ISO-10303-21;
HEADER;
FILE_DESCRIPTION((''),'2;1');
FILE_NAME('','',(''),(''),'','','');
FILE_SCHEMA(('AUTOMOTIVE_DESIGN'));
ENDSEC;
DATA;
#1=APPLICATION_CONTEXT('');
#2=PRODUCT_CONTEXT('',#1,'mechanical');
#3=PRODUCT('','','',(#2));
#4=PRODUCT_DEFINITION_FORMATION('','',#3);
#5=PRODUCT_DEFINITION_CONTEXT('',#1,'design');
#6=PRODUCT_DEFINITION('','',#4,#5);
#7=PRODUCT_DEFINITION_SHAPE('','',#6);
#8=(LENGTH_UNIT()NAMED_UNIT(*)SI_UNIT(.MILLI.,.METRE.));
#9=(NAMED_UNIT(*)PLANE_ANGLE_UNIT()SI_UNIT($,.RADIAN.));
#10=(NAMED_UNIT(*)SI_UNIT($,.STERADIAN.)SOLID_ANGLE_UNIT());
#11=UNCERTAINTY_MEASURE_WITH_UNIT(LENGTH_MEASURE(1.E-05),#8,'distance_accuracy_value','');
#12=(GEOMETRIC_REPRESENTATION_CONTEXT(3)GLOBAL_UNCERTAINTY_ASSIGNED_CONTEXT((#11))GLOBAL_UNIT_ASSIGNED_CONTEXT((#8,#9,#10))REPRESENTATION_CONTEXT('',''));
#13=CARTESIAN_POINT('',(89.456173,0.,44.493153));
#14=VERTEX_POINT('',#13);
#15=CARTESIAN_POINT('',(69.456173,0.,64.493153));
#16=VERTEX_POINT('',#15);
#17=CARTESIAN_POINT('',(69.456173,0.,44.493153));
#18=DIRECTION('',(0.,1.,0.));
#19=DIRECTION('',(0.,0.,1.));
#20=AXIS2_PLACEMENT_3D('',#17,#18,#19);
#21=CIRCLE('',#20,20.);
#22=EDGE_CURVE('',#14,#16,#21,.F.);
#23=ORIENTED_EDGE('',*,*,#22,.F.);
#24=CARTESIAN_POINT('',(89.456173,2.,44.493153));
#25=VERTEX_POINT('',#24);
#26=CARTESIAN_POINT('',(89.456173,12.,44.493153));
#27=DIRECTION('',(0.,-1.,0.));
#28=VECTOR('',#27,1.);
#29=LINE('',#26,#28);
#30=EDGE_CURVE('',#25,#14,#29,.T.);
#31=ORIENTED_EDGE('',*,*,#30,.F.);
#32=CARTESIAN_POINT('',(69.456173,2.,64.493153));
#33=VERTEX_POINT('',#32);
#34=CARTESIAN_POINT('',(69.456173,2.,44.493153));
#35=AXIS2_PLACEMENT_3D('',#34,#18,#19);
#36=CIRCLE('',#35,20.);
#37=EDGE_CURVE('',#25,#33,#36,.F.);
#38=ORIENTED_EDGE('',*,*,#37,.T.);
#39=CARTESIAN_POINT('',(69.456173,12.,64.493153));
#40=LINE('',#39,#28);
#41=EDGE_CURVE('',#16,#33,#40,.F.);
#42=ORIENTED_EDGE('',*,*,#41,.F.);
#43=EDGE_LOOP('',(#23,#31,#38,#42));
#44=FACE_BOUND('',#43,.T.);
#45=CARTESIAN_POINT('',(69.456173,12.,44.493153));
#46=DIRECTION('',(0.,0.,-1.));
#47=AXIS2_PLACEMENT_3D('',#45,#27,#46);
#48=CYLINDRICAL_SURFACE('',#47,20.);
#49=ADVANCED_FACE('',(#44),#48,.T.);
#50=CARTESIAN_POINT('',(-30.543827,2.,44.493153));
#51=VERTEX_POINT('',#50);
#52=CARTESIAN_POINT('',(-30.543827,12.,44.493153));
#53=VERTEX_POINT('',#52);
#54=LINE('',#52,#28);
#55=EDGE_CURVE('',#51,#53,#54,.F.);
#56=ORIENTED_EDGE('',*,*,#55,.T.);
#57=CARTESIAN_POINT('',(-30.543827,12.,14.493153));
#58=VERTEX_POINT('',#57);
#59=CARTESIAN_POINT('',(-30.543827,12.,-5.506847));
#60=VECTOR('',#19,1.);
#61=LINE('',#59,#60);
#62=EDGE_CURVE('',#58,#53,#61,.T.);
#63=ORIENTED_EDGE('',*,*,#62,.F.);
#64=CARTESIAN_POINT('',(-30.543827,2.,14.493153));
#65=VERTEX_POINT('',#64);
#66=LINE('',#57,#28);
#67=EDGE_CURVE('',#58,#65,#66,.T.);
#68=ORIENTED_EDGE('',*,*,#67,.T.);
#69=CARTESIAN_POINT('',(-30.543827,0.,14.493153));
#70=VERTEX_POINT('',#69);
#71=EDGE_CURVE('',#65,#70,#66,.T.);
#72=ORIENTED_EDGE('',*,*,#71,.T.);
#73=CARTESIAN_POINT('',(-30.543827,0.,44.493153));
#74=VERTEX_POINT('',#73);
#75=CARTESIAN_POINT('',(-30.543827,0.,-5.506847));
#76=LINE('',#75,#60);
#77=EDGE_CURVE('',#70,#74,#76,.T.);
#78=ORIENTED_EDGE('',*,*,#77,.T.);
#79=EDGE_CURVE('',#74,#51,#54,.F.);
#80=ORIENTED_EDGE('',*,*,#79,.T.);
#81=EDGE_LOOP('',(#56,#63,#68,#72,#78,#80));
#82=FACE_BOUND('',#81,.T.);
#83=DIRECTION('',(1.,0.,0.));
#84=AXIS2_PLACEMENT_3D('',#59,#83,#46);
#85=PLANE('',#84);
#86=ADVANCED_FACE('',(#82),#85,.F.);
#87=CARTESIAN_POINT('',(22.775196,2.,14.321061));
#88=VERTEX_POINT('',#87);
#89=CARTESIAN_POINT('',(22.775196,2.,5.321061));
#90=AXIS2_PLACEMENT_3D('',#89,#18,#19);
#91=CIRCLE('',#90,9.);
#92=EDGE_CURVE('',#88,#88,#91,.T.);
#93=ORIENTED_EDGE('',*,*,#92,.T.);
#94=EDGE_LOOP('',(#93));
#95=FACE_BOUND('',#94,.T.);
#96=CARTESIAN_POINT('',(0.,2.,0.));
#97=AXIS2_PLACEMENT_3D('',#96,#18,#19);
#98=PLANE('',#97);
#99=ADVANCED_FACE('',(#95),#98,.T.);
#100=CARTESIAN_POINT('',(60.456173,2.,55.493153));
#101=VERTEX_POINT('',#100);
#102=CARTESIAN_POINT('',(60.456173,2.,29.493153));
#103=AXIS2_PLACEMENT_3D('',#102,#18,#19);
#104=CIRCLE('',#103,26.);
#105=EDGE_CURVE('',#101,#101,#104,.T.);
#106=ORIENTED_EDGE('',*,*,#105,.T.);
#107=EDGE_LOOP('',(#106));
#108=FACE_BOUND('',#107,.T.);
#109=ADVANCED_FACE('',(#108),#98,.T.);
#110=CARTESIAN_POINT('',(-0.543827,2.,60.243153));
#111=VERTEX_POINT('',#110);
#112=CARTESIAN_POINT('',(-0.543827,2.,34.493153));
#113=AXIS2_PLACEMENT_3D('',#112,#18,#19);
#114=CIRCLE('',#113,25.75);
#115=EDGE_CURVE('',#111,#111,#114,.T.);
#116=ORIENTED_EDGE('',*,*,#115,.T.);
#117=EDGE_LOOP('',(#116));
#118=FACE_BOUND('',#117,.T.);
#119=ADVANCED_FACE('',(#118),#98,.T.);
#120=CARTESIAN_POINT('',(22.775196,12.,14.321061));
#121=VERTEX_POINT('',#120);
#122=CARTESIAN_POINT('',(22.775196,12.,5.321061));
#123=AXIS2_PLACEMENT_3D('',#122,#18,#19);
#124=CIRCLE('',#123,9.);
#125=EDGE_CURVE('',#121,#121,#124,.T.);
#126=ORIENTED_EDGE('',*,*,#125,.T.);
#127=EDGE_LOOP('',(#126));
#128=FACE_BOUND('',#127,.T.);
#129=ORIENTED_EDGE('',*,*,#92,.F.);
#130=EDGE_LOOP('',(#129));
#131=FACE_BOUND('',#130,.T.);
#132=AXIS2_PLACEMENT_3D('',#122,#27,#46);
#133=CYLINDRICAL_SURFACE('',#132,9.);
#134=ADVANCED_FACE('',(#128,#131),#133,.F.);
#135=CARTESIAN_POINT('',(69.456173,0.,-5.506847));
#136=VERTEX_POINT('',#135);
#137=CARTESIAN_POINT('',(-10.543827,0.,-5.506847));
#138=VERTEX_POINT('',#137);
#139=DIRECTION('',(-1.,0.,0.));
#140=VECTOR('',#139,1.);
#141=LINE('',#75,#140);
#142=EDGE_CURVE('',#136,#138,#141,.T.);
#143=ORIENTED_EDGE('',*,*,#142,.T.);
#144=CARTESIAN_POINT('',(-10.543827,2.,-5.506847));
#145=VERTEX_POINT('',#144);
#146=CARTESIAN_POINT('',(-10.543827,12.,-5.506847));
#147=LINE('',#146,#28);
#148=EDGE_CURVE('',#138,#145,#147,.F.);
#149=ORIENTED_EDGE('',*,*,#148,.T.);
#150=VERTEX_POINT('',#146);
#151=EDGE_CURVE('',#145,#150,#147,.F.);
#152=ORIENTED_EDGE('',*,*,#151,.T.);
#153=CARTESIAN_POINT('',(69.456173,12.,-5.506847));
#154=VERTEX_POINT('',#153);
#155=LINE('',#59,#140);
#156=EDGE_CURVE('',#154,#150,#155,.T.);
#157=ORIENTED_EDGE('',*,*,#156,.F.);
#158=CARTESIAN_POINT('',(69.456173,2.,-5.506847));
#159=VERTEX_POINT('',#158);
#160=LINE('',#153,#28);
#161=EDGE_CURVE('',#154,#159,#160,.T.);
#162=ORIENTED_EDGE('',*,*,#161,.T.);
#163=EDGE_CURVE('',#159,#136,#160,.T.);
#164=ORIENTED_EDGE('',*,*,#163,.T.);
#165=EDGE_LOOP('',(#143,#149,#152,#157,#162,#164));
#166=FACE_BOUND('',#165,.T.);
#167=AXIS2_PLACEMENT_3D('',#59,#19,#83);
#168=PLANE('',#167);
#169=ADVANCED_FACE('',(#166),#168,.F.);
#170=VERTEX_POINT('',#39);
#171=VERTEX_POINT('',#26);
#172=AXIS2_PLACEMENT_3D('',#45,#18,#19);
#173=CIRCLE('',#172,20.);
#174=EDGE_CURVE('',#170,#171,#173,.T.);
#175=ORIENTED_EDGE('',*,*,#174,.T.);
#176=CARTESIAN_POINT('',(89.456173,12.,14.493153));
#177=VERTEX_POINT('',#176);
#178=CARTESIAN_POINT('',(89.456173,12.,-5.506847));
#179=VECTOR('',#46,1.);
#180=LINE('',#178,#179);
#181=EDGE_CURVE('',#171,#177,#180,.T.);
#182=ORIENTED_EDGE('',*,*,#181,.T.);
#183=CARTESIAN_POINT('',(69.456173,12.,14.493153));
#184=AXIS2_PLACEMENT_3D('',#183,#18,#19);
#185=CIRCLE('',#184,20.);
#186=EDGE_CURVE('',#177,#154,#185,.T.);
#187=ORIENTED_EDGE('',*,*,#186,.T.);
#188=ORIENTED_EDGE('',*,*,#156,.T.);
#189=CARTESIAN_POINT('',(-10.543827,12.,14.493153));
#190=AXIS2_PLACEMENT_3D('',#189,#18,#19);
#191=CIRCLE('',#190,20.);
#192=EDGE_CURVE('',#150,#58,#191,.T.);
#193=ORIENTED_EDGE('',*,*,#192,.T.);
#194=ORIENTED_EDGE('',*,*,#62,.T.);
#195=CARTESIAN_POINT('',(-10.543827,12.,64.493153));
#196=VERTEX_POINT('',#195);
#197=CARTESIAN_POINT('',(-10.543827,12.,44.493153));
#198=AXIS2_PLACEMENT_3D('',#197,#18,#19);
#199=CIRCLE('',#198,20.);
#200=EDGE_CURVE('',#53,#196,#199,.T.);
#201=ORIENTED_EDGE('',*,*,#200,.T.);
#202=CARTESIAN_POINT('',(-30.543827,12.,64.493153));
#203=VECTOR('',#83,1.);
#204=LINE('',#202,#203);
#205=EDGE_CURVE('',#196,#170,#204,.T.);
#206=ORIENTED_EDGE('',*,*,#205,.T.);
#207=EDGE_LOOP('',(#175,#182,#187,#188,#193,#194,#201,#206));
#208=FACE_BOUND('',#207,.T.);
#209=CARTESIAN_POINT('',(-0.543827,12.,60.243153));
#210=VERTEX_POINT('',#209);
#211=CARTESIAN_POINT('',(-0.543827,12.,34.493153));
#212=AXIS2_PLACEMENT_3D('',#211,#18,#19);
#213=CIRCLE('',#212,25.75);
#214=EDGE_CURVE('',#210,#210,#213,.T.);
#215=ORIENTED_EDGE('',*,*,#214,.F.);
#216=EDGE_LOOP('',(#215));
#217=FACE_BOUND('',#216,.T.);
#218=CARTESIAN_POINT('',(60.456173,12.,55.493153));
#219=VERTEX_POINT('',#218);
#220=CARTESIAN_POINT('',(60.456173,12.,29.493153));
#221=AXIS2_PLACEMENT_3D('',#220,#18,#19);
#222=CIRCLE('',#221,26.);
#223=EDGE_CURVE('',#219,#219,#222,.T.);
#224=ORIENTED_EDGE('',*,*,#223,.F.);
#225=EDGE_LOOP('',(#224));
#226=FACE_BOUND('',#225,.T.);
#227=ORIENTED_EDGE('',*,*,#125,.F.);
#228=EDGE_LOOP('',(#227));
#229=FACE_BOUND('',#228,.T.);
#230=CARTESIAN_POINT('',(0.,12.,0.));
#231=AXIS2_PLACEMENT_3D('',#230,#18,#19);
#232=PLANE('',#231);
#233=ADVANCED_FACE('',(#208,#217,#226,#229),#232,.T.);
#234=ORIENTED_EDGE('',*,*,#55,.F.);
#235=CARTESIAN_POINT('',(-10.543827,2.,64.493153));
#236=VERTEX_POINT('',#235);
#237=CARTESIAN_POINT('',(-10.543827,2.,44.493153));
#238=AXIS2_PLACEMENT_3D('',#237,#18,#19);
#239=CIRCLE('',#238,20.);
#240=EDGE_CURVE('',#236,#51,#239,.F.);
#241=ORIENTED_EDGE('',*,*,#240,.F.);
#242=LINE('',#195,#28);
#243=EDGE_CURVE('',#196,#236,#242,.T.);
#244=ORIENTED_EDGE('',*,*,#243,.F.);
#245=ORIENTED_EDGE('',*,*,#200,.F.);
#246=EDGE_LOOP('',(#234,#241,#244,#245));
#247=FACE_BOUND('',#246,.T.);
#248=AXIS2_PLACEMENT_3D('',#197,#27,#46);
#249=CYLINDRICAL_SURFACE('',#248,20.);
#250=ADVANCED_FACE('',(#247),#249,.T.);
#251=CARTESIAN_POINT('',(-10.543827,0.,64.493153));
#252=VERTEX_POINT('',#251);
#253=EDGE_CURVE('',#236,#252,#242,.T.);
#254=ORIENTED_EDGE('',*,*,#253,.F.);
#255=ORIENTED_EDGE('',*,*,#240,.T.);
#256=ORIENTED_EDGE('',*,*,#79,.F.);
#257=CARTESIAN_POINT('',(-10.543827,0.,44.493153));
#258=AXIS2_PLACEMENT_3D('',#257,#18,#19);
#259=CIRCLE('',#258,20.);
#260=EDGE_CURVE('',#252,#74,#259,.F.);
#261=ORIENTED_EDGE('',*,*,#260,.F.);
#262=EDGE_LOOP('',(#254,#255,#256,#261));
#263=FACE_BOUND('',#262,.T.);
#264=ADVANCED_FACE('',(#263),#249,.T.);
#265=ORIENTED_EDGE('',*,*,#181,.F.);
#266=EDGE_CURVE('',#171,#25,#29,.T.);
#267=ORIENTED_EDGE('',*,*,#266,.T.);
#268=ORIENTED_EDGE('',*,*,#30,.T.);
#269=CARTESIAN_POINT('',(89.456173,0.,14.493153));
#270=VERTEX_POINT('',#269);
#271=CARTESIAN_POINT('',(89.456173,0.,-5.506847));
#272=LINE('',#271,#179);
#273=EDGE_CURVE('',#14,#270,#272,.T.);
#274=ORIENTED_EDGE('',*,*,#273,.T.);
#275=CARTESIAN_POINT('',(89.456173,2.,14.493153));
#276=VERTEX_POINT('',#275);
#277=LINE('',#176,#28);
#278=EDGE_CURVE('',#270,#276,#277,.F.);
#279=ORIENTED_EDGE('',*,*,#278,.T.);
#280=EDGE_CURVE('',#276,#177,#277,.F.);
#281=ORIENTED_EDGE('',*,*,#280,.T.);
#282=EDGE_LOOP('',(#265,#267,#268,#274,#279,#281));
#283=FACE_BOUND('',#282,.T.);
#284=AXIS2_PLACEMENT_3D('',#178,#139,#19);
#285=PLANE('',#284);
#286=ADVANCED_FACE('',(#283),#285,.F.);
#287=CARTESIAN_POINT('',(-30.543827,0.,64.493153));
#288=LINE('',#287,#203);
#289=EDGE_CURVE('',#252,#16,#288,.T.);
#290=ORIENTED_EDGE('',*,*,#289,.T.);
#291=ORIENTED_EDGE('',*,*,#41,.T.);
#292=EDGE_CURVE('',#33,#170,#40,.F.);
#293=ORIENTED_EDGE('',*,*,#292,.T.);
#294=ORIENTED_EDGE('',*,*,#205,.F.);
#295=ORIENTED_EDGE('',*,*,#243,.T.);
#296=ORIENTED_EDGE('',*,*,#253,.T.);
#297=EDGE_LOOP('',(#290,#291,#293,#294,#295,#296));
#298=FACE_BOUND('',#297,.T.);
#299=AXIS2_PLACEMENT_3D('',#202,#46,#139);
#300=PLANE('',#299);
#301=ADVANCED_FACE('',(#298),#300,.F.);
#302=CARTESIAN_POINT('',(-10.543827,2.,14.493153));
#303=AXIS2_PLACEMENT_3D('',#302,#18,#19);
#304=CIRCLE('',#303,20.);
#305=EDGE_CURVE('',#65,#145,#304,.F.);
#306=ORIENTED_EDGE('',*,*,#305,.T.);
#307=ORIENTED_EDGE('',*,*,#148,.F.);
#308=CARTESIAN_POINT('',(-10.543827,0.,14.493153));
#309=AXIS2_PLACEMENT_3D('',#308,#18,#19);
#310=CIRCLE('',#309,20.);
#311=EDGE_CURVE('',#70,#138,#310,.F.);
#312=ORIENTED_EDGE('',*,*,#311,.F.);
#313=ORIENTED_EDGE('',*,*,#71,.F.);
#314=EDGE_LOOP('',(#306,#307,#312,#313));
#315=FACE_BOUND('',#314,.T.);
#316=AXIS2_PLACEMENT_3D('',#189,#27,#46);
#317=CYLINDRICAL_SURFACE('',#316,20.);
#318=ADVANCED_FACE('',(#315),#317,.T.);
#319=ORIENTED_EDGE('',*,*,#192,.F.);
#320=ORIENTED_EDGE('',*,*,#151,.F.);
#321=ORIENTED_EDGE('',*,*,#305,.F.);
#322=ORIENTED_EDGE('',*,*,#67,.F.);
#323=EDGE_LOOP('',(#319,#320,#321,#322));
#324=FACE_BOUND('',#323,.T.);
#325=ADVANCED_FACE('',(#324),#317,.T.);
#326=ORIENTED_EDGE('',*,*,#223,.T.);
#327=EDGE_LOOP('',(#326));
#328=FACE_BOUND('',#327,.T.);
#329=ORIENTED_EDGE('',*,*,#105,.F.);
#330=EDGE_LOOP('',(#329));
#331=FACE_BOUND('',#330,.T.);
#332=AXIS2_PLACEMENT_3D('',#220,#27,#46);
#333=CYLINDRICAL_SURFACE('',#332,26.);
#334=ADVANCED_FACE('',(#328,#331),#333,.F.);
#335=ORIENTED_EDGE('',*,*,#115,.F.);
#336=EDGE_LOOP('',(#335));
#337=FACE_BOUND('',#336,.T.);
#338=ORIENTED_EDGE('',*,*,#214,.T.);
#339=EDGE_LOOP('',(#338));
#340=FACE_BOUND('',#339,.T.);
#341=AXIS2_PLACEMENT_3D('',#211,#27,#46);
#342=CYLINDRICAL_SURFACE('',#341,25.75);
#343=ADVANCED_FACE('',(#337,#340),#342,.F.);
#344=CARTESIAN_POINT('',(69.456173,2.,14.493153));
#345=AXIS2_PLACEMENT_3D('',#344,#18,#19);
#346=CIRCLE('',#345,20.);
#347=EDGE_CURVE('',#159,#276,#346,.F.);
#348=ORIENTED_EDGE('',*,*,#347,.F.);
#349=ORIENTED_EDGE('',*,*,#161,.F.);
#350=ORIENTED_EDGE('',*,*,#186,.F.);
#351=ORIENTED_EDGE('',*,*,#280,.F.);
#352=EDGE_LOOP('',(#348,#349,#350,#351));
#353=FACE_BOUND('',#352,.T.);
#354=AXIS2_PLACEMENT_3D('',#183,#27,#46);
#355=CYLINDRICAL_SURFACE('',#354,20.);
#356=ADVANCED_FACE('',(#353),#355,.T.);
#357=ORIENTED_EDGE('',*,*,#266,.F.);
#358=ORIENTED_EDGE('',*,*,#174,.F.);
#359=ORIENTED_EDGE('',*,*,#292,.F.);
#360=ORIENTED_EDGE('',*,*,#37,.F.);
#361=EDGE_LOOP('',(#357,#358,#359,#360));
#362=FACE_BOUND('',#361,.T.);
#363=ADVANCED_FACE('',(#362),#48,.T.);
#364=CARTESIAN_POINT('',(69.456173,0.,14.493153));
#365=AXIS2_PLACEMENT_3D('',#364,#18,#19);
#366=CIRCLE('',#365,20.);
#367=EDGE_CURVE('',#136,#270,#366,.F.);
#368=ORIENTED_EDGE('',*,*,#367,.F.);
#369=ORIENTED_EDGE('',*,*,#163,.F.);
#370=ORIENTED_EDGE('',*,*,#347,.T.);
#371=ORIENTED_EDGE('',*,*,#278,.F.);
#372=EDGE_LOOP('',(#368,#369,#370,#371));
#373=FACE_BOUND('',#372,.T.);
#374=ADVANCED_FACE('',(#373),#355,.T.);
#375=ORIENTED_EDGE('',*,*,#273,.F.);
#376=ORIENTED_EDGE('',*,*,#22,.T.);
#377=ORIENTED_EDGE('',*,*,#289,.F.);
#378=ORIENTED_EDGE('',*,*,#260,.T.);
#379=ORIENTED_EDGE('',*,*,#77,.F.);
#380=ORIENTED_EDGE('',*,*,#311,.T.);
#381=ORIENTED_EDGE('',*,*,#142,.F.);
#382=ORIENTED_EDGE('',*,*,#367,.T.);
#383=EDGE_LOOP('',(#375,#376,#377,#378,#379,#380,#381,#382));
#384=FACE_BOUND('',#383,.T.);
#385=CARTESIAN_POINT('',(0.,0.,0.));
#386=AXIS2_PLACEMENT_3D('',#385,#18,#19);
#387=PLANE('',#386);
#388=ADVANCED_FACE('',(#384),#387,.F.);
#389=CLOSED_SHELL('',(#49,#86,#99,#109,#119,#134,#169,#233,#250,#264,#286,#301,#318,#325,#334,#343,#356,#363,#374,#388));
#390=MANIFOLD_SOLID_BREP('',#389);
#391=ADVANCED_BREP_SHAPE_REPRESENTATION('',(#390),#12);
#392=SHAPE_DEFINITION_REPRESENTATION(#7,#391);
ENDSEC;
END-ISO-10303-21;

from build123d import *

# Parameters (mm, degrees)
SKETCH1_W           = 120
SKETCH1_H           = 70
SKETCH1_R           = 25.75
SKETCH1_R_2         = 9
SKETCH1_R_3         = 26
BOSS_EXTRUDE3_DEPTH = 12
FILLET1_R           = 20
SKETCH4_W           = 120
SKETCH4_H           = 70
BOSS_EXTRUDE4_DEPTH = 2
FILLET3_R           = 20


with BuildPart() as part:
    # Sketch1 → Boss-Extrude3 (new body)
    with BuildSketch(Plane(origin=(0, 0, 0), x_dir=(1, 0, 0), z_dir=(0, 1, 0))):
        with Locations((29.456172552, -29.493153194)):
            Rectangle(SKETCH1_W, SKETCH1_H)
        with Locations((-0.543827448, -34.493153194)):
            Circle(SKETCH1_R, mode=Mode.SUBTRACT)
        with Locations((22.775195688, -5.321060691)):
            Circle(SKETCH1_R_2, mode=Mode.SUBTRACT)
        with Locations((60.456172552, -29.493153194)):
            Circle(SKETCH1_R_3, mode=Mode.SUBTRACT)
    extrude(amount=BOSS_EXTRUDE3_DEPTH)

    # Fillet1
    fillet1_edges = [part.edges().sort_by_distance(p)[0] for p in [
        (-30.543827448, 6, -5.506846806),
        (89.456172552, 6, -5.506846806),
        (89.456172552, 6, 64.493153194),
        (-30.543827448, 6, 64.493153194),
    ]]
    fillet(fillet1_edges, radius=FILLET1_R)

    # Sketch4 → Boss-Extrude4 (add)
    with BuildSketch(Plane(origin=(0, 0, 0), x_dir=(1, 0, 0), z_dir=(0, 1, 0))):
        with Locations((29.456172552, -29.493153194)):
            Rectangle(SKETCH4_W, SKETCH4_H)
    extrude(amount=BOSS_EXTRUDE4_DEPTH)

    # Fillet3
    fillet3_edges = [part.edges().sort_by_distance(p)[0] for p in [
        (89.456172552, 1, -5.506846806),
        (89.456172552, 1, 64.493153194),
        (-30.543827448, 1, 64.493153194),
        (-30.543827448, 1, -5.506846806),
    ]]
    fillet(fillet3_edges, radius=FILLET3_R)


solid = part.part
